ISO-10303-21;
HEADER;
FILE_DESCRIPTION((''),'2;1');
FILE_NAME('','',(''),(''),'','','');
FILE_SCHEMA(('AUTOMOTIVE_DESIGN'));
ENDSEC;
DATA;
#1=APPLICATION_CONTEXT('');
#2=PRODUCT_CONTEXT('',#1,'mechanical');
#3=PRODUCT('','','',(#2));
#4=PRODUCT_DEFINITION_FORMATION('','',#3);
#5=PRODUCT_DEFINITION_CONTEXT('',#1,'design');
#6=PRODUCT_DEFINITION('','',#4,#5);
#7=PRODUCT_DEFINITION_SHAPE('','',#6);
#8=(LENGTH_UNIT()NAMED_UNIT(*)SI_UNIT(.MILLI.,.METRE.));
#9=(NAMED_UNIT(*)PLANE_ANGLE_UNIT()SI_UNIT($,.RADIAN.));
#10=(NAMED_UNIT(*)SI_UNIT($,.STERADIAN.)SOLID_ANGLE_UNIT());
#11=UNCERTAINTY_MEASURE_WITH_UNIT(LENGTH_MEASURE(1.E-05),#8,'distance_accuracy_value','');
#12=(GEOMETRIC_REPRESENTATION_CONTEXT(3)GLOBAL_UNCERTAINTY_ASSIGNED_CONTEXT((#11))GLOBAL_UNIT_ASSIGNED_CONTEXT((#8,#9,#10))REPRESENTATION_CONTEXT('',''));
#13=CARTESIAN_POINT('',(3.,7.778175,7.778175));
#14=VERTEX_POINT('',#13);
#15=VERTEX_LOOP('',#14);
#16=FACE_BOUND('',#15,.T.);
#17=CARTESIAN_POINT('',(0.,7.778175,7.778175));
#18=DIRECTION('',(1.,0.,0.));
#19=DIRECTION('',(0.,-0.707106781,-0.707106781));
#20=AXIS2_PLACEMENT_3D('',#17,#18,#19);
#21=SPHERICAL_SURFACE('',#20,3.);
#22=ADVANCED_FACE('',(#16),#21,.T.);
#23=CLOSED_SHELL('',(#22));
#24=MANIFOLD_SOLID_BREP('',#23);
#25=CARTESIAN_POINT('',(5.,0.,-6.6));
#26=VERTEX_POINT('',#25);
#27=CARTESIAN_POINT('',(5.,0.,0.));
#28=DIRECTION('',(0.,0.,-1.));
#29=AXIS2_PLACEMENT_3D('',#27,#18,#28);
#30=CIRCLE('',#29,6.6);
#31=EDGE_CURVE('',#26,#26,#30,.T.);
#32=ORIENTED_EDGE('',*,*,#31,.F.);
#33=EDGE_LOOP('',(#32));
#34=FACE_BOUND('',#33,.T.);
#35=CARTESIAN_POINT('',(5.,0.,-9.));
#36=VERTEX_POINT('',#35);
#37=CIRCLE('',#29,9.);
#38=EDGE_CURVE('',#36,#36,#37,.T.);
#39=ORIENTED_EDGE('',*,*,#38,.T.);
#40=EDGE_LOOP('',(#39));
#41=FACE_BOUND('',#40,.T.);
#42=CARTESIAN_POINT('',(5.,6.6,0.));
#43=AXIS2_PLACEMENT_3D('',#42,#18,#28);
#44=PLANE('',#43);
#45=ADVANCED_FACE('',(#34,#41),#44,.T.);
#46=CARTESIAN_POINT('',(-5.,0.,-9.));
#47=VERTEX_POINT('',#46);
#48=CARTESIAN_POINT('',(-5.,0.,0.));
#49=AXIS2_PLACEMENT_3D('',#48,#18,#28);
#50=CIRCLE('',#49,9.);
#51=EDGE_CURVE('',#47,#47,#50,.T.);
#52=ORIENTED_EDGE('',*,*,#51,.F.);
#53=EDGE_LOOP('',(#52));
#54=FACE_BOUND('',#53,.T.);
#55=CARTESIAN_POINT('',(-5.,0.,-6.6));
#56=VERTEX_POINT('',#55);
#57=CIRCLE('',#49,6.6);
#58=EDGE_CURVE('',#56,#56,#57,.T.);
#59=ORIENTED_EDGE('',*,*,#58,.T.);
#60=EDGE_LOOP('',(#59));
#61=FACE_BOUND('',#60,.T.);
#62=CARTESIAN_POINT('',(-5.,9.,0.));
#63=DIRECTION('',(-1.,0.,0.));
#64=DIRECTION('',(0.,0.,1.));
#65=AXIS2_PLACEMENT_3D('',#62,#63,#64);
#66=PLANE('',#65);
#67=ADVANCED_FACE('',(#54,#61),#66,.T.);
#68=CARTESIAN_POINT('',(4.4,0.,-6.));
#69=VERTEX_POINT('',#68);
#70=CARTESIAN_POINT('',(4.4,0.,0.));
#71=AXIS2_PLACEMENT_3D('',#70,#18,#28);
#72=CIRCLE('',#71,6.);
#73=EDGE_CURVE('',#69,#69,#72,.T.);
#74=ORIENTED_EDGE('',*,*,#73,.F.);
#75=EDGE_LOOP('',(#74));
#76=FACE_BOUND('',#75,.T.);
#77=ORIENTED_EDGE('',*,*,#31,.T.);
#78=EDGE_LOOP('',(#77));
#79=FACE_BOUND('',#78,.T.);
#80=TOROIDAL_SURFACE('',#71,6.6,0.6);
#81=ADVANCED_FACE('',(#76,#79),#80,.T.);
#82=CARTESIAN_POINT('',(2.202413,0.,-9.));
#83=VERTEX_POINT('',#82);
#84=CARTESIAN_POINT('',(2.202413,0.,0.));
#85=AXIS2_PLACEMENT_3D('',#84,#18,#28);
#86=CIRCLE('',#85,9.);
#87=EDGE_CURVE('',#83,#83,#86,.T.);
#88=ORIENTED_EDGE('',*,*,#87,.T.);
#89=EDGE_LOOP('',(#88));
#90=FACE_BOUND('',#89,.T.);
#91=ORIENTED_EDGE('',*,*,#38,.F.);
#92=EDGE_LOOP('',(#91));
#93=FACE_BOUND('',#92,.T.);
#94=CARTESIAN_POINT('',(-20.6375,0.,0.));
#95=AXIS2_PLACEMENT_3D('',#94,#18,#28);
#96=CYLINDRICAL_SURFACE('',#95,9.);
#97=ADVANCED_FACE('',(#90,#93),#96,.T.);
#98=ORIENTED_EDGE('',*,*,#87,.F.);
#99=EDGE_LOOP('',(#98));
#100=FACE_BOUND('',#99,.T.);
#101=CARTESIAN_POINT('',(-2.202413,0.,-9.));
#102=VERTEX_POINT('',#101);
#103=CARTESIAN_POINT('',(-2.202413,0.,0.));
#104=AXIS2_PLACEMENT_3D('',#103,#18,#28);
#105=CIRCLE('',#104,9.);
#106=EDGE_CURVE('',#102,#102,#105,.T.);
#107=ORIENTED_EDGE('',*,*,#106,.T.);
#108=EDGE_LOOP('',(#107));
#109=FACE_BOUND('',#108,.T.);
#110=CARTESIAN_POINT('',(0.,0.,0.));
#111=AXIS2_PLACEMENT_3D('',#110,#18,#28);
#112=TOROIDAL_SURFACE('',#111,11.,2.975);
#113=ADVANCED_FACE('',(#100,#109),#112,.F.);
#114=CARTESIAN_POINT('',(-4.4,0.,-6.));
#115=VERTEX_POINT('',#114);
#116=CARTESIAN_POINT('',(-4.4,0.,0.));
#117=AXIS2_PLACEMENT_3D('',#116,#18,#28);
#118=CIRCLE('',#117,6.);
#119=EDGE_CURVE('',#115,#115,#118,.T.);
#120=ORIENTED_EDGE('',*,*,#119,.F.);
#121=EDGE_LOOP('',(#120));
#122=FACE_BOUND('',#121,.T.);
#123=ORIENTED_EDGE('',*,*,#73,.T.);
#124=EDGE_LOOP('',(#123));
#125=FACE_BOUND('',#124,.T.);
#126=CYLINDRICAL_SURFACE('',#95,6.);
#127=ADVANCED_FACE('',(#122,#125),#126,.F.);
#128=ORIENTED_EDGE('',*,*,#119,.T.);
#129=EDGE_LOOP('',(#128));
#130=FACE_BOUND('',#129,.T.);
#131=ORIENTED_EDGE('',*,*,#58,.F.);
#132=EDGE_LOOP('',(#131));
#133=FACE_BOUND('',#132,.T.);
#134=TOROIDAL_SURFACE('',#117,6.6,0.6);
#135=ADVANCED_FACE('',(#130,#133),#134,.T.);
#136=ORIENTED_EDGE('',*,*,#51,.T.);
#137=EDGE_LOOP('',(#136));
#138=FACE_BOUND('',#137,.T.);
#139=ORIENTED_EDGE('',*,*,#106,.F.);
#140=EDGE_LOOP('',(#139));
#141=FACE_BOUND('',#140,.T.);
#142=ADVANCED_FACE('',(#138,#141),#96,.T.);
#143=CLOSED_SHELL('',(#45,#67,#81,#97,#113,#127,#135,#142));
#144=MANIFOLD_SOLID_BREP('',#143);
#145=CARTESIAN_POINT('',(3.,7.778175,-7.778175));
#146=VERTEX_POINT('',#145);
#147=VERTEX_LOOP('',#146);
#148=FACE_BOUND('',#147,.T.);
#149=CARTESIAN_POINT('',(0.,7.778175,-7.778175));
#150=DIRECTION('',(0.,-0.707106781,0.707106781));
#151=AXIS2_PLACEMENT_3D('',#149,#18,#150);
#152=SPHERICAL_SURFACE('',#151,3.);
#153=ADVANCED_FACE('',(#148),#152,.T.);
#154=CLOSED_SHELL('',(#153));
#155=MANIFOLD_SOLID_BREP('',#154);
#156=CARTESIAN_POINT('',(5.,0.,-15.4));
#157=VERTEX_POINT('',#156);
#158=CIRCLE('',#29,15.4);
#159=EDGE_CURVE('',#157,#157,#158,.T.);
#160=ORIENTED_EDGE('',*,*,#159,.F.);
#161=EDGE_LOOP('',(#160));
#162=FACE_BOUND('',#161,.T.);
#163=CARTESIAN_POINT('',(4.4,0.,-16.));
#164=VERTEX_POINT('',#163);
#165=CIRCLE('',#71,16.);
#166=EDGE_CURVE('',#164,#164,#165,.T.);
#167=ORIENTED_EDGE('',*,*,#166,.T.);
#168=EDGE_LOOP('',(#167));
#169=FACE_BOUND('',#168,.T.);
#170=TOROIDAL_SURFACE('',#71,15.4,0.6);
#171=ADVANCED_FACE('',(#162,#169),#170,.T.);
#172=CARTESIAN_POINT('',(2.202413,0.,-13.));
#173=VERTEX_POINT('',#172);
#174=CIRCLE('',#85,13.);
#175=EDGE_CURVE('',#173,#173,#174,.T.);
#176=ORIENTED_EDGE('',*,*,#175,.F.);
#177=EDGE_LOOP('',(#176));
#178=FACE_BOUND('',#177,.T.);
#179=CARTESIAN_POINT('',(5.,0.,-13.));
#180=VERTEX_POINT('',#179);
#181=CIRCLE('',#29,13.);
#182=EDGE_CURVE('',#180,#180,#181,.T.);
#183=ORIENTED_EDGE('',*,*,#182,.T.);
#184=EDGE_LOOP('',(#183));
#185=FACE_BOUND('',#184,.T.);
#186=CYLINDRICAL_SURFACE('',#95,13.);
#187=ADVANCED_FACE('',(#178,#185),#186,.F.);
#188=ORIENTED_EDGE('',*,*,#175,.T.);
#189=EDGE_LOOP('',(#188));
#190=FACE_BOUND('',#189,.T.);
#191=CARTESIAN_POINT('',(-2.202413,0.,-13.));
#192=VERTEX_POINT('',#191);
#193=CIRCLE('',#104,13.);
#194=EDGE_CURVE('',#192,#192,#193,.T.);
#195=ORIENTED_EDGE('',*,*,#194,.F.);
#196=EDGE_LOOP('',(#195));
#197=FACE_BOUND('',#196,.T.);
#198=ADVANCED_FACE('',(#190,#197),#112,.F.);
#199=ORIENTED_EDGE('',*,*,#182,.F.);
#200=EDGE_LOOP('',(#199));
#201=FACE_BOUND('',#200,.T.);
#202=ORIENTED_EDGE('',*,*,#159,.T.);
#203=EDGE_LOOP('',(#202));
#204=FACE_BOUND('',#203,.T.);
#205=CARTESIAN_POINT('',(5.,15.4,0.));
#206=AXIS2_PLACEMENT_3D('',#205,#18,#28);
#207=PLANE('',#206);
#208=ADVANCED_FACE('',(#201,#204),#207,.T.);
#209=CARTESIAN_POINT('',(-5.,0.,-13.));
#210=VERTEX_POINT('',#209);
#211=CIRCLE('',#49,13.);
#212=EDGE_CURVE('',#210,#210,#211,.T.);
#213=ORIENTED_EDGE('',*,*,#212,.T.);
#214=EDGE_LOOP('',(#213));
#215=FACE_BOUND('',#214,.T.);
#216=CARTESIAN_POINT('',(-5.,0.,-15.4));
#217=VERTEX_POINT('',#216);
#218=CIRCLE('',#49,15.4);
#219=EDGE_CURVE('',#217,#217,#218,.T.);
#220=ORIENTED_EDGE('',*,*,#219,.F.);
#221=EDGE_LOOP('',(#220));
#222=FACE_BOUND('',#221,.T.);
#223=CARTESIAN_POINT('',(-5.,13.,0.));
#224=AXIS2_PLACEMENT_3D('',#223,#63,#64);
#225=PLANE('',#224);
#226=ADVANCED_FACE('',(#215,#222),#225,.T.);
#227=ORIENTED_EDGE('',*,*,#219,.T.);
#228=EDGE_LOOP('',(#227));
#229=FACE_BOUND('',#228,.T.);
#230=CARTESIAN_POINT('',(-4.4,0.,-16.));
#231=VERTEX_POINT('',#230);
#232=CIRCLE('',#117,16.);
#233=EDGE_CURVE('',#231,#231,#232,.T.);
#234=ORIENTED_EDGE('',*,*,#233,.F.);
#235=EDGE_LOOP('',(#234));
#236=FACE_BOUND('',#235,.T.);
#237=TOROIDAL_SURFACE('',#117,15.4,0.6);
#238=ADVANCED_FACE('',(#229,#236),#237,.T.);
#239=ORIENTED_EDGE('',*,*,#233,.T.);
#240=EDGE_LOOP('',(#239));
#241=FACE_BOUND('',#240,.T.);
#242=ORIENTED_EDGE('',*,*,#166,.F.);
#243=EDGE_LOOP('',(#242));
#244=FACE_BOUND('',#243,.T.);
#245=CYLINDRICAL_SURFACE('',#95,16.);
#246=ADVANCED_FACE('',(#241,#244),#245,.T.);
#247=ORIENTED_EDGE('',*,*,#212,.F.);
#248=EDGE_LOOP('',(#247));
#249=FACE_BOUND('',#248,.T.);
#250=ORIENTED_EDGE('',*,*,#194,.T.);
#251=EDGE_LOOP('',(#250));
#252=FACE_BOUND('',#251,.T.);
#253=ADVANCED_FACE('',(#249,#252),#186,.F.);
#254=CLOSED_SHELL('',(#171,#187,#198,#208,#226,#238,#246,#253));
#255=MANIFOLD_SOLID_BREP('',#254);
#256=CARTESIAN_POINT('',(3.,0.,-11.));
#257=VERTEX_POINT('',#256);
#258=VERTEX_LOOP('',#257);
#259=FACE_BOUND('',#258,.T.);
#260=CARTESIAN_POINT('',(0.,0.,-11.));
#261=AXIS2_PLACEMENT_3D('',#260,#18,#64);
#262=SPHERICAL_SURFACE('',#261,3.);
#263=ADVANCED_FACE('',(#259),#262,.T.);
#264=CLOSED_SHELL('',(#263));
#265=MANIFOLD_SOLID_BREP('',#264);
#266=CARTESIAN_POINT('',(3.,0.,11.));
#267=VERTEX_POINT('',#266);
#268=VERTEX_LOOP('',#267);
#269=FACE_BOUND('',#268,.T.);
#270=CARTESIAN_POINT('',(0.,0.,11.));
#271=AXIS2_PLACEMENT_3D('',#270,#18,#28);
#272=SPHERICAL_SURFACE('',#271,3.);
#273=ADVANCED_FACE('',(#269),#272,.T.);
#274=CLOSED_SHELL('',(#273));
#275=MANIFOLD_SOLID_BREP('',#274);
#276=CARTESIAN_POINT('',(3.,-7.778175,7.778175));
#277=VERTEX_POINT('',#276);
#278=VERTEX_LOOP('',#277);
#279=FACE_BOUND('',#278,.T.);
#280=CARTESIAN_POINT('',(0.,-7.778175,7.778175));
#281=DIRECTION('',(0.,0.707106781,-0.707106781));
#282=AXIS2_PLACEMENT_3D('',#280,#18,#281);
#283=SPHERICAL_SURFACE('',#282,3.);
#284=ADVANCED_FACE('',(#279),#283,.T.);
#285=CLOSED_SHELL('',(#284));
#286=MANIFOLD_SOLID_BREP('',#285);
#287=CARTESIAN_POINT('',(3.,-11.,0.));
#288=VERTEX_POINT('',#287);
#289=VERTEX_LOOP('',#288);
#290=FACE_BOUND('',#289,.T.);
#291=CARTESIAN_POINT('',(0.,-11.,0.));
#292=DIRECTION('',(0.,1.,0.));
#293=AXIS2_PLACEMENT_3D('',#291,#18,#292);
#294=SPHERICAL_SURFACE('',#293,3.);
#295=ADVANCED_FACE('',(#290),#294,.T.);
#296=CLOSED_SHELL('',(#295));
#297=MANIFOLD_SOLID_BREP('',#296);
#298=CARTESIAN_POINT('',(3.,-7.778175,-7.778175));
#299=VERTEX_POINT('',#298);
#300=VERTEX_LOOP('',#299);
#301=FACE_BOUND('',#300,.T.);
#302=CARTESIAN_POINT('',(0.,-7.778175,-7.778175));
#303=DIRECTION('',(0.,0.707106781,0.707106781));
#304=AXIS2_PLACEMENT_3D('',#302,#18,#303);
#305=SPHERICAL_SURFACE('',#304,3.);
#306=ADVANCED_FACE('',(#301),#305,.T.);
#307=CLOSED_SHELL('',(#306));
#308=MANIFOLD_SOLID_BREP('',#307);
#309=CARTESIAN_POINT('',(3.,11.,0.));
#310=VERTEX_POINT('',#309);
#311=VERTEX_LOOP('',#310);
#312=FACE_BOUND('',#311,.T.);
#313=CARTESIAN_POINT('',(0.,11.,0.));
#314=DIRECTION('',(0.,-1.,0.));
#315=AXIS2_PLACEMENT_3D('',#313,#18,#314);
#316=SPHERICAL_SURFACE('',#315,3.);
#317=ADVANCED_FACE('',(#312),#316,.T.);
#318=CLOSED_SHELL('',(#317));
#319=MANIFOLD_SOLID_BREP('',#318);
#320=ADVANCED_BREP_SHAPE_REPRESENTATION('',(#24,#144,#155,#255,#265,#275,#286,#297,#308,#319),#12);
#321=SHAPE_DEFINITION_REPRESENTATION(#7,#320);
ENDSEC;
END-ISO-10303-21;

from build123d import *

# Parameters (mm, degrees)
R_P_TITION_CIRCULAIRE1_COUNT = 8


with BuildPart() as part:
    # BalDetSke → BallDetailed (revolve)
    with BuildSketch(Plane.XY):
        with BuildLine():
            Line((-3, 11), (3, 11))
            ThreePointArc((3, 11), (0, 8), (-3, 11))
        make_face()
    revolve(axis=Axis((-1.905, 11, 0), (1, 0, 0)))


with BuildPart() as body_2:
    # InnRacSke → InnerRace (revolve)
    with BuildSketch(Plane.XY):
        with BuildLine():
            Line((-2.202413449, 9), (-5, 9))
            Line((-5, 9), (-5, 6.6))
            ThreePointArc((-5, 6.6), (-4.824264069, 6.175735931), (-4.4, 6))
            Line((-4.4, 6), (4.4, 6))
            ThreePointArc((4.4, 6), (4.824264069, 6.175735931), (5, 6.6))
            Line((5, 6.6), (5, 9))
            Line((5, 9), (2.202413449, 9))
            ThreePointArc((2.202413449, 9), (0, 8.025), (-2.202413449, 9))
        make_face()
    revolve(axis=Axis((-20.6375, 0, 0), (1, 0, 0)))


with BuildPart() as body_3:
    # OutRacSke → OuterRace (revolve)
    with BuildSketch(Plane.XY):
        with BuildLine():
            Line((-2.202413449, 13), (-5, 13))
            Line((-5, 13), (-5, 15.4))
            ThreePointArc((-5, 15.4), (-4.824264069, 15.824264069), (-4.4, 16))
            Line((-4.4, 16), (4.4, 16))
            ThreePointArc((4.4, 16), (4.824264069, 15.824264069), (5, 15.4))
            Line((5, 15.4), (5, 13))
            Line((5, 13), (2.202413449, 13))
            ThreePointArc((2.202413449, 13), (0, 13.975), (-2.202413449, 13))
        make_face()
    revolve(axis=Axis((-20.6375, 0, 0), (1, 0, 0)))


with BuildPart() as r_p_tition_circulaire1_1:
    # Répétition circulaire1: pattern copy
    add(part.part.rotate(Axis((-20.6375, 0, 0), (1, 0, 0)), 1 * 360 / R_P_TITION_CIRCULAIRE1_COUNT))


with BuildPart() as r_p_tition_circulaire1_2:
    # Répétition circulaire1: pattern copy
    add(part.part.rotate(Axis((-20.6375, 0, 0), (1, 0, 0)), 2 * 360 / R_P_TITION_CIRCULAIRE1_COUNT))


with BuildPart() as r_p_tition_circulaire1_3:
    # Répétition circulaire1: pattern copy
    add(part.part.rotate(Axis((-20.6375, 0, 0), (1, 0, 0)), 3 * 360 / R_P_TITION_CIRCULAIRE1_COUNT))


with BuildPart() as r_p_tition_circulaire1_4:
    # Répétition circulaire1: pattern copy
    add(part.part.rotate(Axis((-20.6375, 0, 0), (1, 0, 0)), 4 * 360 / R_P_TITION_CIRCULAIRE1_COUNT))


with BuildPart() as r_p_tition_circulaire1_5:
    # Répétition circulaire1: pattern copy
    add(part.part.rotate(Axis((-20.6375, 0, 0), (1, 0, 0)), 5 * 360 / R_P_TITION_CIRCULAIRE1_COUNT))


with BuildPart() as r_p_tition_circulaire1_6:
    # Répétition circulaire1: pattern copy
    add(part.part.rotate(Axis((-20.6375, 0, 0), (1, 0, 0)), 6 * 360 / R_P_TITION_CIRCULAIRE1_COUNT))


with BuildPart() as r_p_tition_circulaire1_7:
    # Répétition circulaire1: pattern copy
    add(part.part.rotate(Axis((-20.6375, 0, 0), (1, 0, 0)), 7 * 360 / R_P_TITION_CIRCULAIRE1_COUNT))


solid = Compound([part.part, body_2.part, body_3.part, r_p_tition_circulaire1_1.part, r_p_tition_circulaire1_2.part, r_p_tition_circulaire1_3.part, r_p_tition_circulaire1_4.part, r_p_tition_circulaire1_5.part, r_p_tition_circulaire1_6.part, r_p_tition_circulaire1_7.part])
